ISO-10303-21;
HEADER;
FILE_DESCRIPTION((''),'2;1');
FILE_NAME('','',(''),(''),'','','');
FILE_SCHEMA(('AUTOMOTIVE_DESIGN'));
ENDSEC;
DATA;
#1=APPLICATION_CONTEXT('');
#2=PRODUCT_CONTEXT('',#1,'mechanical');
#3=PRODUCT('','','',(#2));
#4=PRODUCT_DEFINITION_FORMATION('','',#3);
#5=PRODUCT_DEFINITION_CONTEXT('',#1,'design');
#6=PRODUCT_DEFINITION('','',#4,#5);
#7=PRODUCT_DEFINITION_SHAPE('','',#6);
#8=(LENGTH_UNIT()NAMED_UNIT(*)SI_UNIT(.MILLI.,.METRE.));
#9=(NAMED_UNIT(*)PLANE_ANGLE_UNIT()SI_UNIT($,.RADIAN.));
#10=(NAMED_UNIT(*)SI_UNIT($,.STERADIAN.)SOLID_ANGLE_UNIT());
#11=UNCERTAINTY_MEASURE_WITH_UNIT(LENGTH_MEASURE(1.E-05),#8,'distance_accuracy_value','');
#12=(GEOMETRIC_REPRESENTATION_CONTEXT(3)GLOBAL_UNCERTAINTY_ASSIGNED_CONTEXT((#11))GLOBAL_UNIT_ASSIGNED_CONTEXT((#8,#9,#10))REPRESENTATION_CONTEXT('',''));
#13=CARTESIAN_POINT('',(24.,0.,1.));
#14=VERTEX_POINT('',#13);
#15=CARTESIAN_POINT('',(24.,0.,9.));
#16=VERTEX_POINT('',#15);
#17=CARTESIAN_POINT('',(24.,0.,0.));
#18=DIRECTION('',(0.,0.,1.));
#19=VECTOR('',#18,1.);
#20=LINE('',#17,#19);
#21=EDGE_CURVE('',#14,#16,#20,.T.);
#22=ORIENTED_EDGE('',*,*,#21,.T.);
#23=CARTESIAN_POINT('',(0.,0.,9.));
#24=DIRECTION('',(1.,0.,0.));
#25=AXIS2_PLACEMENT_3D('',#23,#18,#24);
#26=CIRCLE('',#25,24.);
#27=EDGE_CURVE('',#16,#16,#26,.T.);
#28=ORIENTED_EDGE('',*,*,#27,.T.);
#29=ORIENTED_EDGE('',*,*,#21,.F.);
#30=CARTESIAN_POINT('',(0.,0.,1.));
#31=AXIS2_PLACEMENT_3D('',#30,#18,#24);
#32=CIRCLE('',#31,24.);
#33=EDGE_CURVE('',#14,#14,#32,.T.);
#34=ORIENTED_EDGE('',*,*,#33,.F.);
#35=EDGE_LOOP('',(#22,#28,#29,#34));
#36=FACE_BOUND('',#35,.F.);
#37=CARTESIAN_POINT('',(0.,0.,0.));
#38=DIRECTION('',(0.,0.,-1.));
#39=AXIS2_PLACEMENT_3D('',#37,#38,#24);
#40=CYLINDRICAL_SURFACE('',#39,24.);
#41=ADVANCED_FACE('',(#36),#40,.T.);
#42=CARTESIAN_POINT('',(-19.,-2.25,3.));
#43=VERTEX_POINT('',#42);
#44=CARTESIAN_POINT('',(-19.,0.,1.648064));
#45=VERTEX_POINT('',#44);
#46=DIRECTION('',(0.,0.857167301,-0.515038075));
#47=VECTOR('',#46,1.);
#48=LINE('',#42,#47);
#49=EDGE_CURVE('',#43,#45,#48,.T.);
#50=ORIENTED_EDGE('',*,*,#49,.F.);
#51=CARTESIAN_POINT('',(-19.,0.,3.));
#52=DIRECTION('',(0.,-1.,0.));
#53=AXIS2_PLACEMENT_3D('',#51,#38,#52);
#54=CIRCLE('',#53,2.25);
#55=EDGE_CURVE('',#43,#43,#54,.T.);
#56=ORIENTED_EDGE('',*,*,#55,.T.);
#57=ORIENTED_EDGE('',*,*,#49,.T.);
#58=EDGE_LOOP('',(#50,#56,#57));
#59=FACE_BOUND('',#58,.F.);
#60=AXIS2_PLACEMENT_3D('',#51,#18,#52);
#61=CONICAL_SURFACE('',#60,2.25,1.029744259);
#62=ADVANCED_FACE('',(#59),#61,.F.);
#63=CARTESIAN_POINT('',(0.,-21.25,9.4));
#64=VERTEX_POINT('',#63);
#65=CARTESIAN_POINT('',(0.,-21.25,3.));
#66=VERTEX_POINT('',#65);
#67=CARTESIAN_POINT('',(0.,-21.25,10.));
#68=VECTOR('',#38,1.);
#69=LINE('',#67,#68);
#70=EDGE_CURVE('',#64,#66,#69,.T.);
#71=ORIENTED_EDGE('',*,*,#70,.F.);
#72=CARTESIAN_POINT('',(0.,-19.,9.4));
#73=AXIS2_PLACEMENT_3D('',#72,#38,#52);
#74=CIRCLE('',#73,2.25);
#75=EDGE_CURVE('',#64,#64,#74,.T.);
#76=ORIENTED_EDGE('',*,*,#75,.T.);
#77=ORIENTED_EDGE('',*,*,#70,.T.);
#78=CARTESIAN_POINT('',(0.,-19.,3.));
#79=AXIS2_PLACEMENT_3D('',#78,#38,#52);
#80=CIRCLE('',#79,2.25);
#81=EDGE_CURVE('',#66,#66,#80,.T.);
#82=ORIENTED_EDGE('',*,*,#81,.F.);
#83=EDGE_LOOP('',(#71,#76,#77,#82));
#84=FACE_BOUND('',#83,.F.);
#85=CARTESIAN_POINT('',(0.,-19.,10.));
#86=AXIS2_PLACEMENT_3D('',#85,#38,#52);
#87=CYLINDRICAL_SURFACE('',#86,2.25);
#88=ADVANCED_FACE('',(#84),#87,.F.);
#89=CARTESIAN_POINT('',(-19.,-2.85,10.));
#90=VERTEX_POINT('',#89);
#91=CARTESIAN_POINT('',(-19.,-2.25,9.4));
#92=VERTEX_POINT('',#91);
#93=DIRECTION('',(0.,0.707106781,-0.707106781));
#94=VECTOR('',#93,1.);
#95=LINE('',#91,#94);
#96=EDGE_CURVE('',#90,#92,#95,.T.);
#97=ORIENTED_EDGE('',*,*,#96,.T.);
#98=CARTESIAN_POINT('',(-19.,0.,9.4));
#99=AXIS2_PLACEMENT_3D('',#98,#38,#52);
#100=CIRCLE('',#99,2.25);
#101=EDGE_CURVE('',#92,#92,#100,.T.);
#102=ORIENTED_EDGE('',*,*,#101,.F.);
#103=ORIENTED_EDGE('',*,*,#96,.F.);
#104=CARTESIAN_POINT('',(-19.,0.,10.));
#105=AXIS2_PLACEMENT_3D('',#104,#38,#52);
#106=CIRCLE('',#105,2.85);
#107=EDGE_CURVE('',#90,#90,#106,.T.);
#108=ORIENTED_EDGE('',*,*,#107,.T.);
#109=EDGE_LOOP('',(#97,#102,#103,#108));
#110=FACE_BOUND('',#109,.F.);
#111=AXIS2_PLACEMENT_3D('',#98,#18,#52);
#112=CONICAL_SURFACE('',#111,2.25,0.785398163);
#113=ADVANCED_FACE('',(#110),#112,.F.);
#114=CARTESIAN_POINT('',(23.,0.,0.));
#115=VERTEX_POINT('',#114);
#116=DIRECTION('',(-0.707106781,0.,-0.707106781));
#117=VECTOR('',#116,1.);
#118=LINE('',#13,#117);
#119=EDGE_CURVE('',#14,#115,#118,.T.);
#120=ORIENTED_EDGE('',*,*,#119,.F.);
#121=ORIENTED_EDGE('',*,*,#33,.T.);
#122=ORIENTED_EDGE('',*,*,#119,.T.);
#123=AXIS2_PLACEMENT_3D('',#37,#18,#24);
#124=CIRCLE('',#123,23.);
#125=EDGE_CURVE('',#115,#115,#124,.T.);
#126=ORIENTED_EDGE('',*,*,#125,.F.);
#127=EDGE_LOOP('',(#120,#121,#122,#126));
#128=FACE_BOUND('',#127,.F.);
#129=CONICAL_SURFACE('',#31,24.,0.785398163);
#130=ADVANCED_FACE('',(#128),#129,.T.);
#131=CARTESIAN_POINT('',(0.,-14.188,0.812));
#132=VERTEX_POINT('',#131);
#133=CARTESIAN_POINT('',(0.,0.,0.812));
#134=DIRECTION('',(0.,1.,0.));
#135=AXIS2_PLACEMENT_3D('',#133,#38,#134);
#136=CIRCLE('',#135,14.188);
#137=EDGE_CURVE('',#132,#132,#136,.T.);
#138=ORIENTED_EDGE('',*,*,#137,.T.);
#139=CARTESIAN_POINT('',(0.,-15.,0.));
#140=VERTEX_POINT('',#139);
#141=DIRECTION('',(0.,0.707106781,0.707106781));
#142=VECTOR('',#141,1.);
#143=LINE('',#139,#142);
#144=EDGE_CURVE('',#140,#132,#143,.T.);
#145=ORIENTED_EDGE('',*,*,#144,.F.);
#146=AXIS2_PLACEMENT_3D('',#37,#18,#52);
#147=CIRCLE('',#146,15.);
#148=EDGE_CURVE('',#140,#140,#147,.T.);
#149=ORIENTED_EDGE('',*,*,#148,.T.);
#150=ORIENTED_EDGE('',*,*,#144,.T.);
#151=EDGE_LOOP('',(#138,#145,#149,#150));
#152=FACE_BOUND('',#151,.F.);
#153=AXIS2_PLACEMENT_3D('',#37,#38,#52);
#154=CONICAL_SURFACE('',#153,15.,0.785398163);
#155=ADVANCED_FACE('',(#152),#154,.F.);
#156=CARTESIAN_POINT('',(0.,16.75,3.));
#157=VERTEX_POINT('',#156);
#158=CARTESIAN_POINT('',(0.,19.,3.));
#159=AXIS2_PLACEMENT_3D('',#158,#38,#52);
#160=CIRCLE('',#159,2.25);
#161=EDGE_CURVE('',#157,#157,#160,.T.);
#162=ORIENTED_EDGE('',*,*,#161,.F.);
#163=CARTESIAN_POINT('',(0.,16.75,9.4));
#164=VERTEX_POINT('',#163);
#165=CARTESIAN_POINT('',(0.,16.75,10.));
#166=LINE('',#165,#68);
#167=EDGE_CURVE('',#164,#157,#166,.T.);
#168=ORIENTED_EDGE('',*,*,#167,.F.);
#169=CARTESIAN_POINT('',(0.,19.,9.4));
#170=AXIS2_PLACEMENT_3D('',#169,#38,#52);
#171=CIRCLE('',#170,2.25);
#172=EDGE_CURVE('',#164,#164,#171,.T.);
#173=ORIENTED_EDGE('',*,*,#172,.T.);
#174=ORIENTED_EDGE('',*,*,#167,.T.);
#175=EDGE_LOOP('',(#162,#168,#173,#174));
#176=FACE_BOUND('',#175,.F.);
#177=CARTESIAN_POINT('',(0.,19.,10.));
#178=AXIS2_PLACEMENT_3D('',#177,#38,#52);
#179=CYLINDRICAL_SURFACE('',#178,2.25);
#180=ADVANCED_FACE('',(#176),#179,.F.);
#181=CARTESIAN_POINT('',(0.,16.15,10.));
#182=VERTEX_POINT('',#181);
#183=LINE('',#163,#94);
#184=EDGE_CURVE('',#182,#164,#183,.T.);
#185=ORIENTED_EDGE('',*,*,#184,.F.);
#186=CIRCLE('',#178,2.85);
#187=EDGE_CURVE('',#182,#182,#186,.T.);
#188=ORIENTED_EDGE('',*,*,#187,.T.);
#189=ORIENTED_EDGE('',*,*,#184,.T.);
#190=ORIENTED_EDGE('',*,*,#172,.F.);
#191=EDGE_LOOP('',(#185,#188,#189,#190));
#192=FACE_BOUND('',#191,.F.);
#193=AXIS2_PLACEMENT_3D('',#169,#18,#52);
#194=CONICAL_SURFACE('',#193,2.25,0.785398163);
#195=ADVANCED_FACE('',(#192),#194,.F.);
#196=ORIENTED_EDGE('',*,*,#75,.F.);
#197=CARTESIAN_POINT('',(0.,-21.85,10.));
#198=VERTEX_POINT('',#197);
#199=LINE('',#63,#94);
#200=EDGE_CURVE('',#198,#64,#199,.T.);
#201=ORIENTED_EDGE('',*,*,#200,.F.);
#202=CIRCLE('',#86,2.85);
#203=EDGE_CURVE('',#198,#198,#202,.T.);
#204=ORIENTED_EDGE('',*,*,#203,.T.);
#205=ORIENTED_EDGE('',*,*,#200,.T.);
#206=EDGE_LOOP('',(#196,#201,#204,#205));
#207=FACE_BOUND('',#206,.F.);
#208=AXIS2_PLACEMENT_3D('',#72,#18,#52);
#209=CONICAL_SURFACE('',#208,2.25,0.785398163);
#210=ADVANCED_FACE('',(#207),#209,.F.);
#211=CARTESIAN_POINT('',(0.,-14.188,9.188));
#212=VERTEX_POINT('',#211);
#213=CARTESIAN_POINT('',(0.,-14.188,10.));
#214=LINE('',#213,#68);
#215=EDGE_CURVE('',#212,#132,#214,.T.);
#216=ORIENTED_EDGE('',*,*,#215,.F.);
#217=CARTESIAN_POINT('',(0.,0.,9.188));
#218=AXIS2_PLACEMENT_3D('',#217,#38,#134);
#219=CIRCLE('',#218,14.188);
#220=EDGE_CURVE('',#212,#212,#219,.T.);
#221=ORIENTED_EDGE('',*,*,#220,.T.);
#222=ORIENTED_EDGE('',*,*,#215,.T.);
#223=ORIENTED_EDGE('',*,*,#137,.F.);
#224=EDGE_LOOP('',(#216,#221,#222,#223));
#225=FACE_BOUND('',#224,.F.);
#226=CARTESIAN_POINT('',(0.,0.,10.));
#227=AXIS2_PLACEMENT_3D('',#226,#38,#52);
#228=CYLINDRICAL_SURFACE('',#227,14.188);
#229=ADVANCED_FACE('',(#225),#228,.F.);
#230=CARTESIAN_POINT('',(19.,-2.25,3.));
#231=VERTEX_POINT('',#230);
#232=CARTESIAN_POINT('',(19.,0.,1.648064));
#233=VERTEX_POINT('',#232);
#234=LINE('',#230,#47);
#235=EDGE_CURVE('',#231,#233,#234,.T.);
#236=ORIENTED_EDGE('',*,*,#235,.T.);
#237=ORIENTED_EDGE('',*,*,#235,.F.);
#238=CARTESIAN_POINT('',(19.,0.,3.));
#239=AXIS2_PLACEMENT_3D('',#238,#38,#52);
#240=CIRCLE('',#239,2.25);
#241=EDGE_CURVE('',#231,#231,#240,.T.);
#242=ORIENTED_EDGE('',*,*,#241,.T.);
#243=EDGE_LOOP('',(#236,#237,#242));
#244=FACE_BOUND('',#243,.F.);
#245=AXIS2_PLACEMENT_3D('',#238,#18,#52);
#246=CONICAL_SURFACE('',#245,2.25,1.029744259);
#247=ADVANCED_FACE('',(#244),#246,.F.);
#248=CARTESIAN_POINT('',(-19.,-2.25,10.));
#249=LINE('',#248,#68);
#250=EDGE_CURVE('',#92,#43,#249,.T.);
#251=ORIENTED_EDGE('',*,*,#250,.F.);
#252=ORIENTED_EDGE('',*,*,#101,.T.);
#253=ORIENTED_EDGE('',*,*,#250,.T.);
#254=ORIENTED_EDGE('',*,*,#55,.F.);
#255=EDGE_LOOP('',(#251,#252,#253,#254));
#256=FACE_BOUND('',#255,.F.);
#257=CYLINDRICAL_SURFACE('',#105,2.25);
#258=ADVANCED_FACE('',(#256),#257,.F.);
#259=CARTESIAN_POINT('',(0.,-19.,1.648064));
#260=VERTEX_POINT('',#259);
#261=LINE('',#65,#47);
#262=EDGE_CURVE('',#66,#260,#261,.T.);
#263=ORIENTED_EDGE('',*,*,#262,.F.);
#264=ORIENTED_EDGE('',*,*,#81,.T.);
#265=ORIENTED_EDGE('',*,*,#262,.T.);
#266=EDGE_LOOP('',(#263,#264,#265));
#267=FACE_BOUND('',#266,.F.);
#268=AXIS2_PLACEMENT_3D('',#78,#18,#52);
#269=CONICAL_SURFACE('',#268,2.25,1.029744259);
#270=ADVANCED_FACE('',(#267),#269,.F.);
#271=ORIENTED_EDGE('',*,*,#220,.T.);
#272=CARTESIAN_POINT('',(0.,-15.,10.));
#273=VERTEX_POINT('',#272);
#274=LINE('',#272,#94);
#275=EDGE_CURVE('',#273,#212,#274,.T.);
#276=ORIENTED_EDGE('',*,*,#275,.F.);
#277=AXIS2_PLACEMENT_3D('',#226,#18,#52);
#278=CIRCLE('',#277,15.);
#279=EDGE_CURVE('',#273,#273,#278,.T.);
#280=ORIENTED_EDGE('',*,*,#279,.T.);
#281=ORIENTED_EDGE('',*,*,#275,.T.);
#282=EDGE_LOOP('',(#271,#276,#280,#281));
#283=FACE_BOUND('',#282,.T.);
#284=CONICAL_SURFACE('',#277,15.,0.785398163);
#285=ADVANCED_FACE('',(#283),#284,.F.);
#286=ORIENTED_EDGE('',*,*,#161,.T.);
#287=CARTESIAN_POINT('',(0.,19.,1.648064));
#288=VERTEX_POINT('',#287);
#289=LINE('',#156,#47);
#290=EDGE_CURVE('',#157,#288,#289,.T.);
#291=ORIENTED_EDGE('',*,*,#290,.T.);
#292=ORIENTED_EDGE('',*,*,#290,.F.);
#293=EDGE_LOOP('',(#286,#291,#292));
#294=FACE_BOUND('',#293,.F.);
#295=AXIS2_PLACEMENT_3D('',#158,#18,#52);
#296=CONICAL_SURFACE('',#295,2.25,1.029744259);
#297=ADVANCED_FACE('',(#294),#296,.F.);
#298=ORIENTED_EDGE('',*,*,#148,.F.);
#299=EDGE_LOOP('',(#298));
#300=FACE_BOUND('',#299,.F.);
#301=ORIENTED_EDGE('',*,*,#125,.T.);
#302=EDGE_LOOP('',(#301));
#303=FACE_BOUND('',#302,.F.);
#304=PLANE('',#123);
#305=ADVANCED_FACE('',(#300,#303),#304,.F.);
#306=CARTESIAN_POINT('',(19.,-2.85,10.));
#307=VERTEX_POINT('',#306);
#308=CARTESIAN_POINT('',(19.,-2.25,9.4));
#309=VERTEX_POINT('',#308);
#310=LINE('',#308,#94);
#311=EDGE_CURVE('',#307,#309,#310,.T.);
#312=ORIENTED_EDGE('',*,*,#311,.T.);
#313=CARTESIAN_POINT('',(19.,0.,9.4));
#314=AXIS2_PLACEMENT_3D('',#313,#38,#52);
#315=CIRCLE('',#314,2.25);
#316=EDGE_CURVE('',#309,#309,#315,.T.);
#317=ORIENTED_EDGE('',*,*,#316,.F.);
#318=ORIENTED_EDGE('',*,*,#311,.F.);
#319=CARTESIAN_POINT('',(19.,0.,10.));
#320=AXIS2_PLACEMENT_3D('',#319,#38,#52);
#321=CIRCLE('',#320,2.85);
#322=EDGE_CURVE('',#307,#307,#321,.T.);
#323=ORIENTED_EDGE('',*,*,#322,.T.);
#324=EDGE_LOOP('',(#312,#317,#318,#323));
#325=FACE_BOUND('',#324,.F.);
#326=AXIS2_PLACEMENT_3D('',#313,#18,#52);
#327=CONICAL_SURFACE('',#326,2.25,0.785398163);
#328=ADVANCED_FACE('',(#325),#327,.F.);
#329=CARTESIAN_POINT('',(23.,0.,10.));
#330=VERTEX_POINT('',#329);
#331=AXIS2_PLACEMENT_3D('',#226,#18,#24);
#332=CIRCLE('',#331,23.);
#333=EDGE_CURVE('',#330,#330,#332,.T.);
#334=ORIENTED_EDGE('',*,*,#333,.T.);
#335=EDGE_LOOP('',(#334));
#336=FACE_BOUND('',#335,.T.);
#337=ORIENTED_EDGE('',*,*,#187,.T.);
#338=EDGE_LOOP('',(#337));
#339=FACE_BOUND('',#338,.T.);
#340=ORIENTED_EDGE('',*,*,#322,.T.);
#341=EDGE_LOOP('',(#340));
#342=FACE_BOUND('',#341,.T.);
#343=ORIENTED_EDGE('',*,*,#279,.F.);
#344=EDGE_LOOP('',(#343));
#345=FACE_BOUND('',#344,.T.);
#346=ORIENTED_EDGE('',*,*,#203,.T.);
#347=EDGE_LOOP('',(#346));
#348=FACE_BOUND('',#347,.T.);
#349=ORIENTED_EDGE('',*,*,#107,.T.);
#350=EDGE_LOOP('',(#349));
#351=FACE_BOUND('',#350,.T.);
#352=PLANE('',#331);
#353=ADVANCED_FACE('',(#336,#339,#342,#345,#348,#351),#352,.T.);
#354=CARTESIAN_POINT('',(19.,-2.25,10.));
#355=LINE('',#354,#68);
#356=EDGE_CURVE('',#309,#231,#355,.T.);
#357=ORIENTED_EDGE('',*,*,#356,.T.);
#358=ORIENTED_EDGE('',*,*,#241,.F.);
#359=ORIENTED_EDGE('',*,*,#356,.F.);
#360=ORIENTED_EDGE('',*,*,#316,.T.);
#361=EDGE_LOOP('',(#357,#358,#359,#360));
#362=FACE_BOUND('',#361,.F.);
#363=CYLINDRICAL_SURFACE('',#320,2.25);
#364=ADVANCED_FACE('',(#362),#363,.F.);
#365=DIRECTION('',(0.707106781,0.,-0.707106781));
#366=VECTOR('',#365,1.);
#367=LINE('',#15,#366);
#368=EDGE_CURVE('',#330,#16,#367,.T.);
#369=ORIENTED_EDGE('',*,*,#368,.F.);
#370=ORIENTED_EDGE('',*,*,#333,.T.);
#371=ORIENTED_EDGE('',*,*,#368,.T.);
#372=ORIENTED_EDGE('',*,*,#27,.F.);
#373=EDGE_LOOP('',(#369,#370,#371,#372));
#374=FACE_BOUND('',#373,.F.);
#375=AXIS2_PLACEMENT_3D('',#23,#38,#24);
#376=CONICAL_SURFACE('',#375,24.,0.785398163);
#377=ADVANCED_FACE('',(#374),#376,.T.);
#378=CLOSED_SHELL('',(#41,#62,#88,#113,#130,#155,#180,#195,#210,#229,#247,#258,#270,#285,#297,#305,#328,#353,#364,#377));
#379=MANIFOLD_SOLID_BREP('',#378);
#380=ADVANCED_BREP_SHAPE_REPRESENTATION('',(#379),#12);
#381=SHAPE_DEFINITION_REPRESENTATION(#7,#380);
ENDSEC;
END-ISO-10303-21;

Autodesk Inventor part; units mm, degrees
ref_plane "YZ Plane" through (0, 0, 0) normal (1, 0, 0) x (0, 1, 0)
ref_plane "XZ Plane" through (0, 0, 0) normal (0, 1, 0) x (-1, 0, 0)
ref_plane "XY Plane" through (0, 0, 0) normal (0, 0, 1) x (1, 0, 0)
sketch "Sketch1" plane through (0, 0, 0) normal (0, 0, 1) x (1, 0, 0)
  line L0 (-33.6, 0) -> (33.6, 0) construction
  line L1 (0, -33.6) -> (0, 33.6) construction
  circle A0 centre (0, 0) radius 24
  dimension "d0" = 48
extrude "Выдавливание1" add sketch "Sketch1" along normal blind 10
hole "Отверстие1" at (0, 0, 10) direction (0, 0, -1) diameter 28.376 end through all thread size "M30x1.5" class "6H" standard "ISO Metric profile"
sketch "Sketch2" plane through (0, 0, 10) normal (0, 0, 1) x (1, 0, 0)
  circle A0 centre (0, 0) radius 24 projected
  circle A1 centre (0, 0) radius 19 construction
  line L0 (-33.6, 0) -> (33.6, 0) construction
  line L1 (0, -33.6) -> (0, 33.6) construction
  point P0 (-19, 0)
  point P1 (0, 19)
  point P2 (19, 0)
  point P3 (0, -19)
  dimension "d13" = 38
hole "Отверстие2" at (-19, 0, 10) at (0, 19, 10) at (19, 0, 10) at (0, -19, 10) direction (0, 0, -1) diameter 4.5 depth 7 tip angle 118
chamfer "Фаска1" distance 0.6 angle 45 4 edges at (0, -16.75, 10) (-19, 2.25, 10) (19, 2.25, 10) (0, 21.25, 10)
chamfer "Фаска2" distance 1 angle 45 2 edges at (-24, 0, 10) (-24, 0, 0)
sketch "Sketch3" plane through (0, 0, 0) normal (1, 0, 0) x (0, 1, 0)
  line L0 (-14.188, 0) -> (-14.188, 10) construction
  line L1 (14.188, 0) -> (14.188, 10) construction
  line L2 (-15, 10) -> (0, -5)
  line L3 (-15, 10) -> (0, 10)
  line L4 (0, 10) -> (0, -5)
  line L5 (0, -9) -> (0, 19) construction
  line L6 (-15.6074, 5) -> (15.0846, 5) construction
  line L7 (-21.7458, 0) -> (21.223, 0) construction
  line L8 (-15, 0) -> (0, 15)
  line L9 (-15, 0) -> (0, 0)
  line L10 (0, 0) -> (0, 15)
  point P0 (14.188, 5)
  dimension "d30" = 10
  dimension "d31" = 30
  dimension "d32" = 45
  dimension "d34" = 5
revolve "Вращение1" cut sketch "Sketch3" angle 360 about axis through (0, 0, -10) along (0, 0, 1)
equation "\"d0\" = D_L"
equation "\"d2\" = m_"
equation "\"d13\" = D_x"
equation "\"d14\" = d1"
equation "\"d16\" = d1"
equation "\"d19\" = h_"
equation "\"d21\" = c1"
equation "\"d24\" = c_"
equation "\"d30\" = m_"
equation "\"d31\" = d_"
equation "\"d34\" = 0.5 * m_"
equation "\"d_\" = 30"
equation "\"D_L\" = 48"
equation "\"D_x\" = 38"
equation "\"d1\" = 4.5"
equation "\"m_\" = 10"
equation "\"h_\" = 7"
equation "\"c_\" = 1"
equation "\"c1\" = 0.6"
properties part number "Гайка M30x1.5 6H ГОСТ 6393-73" material "Сталь, мягкая"
